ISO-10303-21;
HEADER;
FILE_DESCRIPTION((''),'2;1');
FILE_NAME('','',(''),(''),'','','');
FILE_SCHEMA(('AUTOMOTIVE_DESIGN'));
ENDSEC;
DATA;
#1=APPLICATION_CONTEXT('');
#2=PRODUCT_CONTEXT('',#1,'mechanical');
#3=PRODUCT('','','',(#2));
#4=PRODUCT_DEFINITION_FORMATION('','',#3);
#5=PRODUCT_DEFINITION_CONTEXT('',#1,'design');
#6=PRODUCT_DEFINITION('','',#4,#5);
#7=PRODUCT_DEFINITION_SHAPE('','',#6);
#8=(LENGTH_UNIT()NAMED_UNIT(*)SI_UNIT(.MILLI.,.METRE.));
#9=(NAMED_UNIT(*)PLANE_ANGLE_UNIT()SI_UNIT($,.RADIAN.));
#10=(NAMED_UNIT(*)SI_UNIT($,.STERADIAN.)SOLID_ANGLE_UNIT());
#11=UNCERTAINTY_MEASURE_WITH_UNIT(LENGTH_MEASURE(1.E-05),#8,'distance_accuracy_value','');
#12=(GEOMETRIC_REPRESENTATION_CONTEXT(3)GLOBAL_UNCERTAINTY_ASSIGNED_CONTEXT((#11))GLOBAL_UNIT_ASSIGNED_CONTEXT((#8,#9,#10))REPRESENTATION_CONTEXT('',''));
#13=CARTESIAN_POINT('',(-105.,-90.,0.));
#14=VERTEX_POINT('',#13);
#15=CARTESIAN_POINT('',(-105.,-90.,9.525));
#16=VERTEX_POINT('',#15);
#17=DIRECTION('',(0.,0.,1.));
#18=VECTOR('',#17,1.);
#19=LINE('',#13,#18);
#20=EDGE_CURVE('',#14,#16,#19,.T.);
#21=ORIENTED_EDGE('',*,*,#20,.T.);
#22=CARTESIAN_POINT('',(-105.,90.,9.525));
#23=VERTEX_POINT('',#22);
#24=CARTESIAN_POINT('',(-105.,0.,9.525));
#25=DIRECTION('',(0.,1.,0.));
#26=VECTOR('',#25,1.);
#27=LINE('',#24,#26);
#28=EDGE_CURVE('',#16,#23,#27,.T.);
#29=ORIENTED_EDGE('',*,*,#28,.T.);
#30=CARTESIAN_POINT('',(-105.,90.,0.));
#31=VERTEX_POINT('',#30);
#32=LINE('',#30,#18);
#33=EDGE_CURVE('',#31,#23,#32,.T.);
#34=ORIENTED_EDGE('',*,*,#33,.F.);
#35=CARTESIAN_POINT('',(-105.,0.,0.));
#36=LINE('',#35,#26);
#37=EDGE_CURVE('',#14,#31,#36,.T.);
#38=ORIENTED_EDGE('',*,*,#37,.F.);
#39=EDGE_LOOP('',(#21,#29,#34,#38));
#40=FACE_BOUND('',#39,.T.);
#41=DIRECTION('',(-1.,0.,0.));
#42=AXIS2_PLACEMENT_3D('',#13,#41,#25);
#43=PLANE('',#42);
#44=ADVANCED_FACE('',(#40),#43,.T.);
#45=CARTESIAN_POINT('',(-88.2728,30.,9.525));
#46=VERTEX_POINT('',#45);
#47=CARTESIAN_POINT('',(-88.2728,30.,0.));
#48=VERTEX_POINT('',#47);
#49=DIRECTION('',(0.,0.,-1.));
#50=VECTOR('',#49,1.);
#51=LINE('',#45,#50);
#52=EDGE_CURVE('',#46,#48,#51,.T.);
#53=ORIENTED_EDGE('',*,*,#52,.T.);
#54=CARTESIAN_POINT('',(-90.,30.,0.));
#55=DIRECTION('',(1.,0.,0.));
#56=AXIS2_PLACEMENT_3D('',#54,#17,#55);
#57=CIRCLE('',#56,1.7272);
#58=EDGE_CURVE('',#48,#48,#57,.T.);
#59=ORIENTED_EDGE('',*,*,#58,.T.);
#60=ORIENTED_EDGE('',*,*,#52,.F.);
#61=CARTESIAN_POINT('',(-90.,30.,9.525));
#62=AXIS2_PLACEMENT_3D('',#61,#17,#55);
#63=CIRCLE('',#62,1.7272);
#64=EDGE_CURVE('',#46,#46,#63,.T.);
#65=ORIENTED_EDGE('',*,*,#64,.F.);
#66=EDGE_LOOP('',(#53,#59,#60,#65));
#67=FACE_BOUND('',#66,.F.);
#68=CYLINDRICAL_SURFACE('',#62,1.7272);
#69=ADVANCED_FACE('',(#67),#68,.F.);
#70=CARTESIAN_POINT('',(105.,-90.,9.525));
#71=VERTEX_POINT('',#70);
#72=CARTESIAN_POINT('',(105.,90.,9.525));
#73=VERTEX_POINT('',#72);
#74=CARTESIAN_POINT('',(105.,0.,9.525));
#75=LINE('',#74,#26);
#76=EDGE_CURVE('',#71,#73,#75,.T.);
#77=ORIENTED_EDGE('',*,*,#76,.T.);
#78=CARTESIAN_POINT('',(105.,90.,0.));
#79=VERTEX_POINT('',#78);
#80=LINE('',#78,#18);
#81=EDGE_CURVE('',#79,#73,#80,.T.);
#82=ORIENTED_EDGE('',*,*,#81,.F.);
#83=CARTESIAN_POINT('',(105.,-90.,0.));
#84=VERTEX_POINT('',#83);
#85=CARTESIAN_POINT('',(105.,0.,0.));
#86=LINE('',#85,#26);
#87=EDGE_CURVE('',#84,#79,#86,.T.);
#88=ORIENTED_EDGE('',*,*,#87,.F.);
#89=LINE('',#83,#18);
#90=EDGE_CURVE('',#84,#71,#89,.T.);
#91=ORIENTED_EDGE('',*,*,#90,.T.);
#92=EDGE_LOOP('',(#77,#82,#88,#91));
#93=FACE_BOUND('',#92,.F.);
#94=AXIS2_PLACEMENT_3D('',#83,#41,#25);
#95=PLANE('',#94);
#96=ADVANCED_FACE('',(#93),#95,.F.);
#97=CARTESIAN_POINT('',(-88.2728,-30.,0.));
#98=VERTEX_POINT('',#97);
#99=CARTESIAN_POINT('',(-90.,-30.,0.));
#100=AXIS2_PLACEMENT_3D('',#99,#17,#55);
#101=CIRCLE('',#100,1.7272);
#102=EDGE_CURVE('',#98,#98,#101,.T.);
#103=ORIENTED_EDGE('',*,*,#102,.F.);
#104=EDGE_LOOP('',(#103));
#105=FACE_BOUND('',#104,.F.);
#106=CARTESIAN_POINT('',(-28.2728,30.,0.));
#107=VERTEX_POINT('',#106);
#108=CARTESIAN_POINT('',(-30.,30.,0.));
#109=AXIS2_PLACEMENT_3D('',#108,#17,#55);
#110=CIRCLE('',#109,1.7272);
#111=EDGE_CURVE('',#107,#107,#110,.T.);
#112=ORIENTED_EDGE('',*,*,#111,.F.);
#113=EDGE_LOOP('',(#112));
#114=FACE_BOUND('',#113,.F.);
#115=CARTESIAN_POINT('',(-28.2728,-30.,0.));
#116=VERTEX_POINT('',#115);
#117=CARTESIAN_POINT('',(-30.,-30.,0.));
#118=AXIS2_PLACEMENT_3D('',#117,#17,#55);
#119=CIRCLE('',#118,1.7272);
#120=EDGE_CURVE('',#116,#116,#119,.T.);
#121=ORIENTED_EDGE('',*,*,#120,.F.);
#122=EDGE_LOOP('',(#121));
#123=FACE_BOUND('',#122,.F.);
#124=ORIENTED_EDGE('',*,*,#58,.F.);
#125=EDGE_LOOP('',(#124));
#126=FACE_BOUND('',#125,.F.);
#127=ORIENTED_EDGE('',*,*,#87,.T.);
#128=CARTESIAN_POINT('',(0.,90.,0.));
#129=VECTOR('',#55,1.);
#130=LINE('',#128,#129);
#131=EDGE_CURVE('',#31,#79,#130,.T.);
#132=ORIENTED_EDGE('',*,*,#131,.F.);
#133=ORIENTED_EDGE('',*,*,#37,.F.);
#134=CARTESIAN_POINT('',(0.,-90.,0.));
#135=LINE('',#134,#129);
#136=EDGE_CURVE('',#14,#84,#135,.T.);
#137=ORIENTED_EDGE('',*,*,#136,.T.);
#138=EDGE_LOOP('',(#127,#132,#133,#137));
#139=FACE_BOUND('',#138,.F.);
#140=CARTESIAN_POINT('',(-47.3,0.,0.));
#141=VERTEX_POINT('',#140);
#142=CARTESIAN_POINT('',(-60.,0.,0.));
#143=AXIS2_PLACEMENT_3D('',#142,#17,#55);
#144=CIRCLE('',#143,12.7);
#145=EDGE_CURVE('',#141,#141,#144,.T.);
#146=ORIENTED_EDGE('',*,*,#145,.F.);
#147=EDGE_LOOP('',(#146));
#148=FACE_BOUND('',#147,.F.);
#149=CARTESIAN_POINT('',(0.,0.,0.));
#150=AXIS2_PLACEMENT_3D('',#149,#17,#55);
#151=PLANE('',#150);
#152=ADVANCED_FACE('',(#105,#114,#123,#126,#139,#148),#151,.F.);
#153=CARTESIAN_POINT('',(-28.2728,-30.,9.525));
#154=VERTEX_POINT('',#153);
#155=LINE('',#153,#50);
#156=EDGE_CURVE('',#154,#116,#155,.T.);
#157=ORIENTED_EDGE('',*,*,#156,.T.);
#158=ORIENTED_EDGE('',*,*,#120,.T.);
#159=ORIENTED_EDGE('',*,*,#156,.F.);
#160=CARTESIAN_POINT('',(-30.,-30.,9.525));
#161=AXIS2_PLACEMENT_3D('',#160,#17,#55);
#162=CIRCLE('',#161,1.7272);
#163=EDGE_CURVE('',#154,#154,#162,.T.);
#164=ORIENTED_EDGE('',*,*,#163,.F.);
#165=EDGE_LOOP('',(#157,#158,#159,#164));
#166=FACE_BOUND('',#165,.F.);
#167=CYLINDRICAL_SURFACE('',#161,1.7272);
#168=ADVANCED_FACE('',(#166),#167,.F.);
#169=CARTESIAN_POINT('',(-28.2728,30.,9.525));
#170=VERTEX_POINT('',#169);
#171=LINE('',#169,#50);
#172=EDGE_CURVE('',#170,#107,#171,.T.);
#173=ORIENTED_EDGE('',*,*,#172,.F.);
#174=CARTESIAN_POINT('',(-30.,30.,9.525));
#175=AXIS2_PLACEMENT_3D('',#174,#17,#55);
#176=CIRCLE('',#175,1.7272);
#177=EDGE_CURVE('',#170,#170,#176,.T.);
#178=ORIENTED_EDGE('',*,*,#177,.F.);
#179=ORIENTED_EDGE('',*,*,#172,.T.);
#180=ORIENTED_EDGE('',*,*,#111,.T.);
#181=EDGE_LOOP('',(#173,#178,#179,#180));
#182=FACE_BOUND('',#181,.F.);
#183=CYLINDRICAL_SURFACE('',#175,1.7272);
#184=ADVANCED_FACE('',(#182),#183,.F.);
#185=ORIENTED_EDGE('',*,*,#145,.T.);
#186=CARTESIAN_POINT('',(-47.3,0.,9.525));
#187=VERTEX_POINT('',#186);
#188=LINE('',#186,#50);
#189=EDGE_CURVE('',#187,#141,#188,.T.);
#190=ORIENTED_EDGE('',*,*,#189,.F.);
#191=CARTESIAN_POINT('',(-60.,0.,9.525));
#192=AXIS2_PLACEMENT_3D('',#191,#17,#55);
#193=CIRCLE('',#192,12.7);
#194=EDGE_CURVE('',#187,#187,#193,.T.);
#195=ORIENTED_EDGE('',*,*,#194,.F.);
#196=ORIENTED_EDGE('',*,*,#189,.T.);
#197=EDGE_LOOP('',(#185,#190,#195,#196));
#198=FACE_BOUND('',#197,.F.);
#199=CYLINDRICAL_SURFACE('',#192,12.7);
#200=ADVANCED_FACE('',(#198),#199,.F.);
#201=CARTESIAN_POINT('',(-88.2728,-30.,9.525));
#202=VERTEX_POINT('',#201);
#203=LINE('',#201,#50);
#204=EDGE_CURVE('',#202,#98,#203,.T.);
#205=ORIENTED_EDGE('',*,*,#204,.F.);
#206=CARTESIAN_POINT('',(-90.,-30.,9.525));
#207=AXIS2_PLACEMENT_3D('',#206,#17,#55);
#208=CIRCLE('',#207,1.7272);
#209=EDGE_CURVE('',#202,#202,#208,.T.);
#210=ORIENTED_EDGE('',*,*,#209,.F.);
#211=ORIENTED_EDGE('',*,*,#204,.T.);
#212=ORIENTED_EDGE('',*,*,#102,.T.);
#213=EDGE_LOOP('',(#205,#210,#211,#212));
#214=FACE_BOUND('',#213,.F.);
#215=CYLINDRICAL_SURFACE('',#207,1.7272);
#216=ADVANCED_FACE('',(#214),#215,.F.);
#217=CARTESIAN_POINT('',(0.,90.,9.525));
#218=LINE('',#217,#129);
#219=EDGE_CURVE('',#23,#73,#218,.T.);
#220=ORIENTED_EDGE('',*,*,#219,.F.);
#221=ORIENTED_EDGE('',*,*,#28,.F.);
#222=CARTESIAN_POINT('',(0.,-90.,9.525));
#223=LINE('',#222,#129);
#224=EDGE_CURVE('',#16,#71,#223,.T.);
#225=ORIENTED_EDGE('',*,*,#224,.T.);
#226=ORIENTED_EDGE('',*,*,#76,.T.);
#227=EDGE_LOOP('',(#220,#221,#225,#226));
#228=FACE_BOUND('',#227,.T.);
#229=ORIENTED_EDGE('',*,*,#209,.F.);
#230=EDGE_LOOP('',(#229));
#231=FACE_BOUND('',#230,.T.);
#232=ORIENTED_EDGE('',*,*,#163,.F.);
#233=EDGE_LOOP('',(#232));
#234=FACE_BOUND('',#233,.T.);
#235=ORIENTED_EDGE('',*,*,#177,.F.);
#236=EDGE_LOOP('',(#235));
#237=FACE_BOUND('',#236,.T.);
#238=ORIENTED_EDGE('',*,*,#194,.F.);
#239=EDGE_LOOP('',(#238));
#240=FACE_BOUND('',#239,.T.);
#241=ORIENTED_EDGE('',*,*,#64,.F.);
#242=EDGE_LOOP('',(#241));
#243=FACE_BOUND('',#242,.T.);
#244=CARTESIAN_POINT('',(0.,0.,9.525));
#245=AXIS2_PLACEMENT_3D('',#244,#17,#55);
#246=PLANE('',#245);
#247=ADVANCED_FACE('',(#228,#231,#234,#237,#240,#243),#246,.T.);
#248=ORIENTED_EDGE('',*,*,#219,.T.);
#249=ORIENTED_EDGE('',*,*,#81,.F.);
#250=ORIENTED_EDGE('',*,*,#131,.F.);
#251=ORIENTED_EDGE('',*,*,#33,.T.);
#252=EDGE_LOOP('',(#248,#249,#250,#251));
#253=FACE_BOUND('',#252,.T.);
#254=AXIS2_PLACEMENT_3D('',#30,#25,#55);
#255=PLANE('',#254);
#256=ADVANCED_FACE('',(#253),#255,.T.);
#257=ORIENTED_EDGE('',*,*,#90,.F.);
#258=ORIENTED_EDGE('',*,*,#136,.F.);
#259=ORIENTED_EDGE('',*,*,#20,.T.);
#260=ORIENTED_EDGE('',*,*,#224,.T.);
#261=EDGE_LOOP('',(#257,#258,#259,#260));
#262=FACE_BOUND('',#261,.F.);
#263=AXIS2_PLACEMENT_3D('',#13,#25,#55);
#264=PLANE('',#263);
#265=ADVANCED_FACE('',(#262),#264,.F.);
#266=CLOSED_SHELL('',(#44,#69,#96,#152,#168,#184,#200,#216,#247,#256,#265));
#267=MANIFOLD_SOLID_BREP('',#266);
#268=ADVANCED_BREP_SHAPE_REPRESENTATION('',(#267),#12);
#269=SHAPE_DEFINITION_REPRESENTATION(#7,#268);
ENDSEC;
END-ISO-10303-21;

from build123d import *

# Parameters (mm, degrees)
F0_W     = 210
F0_H     = 180
F1_DEPTH = 9.525
F2_R     = 12.7
F2_R_2   = 1.7272
F3_DEPTH = 9.525


with BuildPart() as f1:
    # F0 (on Top) → F1 (new body)
    with BuildSketch(Plane.XY):
        Rectangle(F0_W, F0_H)
    extrude(amount=F1_DEPTH)

    # F2 (on face) → F3 (cut, through all)
    with BuildSketch(Plane.XY.offset(9.525)):
        with Locations((-60, 0)):
            Circle(F2_R)
        with Locations((-30, 30)):
            Circle(F2_R_2)
        with Locations((-30, -30)):
            Circle(F2_R_2)
        with Locations((-90, -30)):
            Circle(F2_R_2)
        with Locations((-90, 30)):
            Circle(F2_R_2)
    extrude(amount=-F3_DEPTH, mode=Mode.SUBTRACT)


solid = f1.part
